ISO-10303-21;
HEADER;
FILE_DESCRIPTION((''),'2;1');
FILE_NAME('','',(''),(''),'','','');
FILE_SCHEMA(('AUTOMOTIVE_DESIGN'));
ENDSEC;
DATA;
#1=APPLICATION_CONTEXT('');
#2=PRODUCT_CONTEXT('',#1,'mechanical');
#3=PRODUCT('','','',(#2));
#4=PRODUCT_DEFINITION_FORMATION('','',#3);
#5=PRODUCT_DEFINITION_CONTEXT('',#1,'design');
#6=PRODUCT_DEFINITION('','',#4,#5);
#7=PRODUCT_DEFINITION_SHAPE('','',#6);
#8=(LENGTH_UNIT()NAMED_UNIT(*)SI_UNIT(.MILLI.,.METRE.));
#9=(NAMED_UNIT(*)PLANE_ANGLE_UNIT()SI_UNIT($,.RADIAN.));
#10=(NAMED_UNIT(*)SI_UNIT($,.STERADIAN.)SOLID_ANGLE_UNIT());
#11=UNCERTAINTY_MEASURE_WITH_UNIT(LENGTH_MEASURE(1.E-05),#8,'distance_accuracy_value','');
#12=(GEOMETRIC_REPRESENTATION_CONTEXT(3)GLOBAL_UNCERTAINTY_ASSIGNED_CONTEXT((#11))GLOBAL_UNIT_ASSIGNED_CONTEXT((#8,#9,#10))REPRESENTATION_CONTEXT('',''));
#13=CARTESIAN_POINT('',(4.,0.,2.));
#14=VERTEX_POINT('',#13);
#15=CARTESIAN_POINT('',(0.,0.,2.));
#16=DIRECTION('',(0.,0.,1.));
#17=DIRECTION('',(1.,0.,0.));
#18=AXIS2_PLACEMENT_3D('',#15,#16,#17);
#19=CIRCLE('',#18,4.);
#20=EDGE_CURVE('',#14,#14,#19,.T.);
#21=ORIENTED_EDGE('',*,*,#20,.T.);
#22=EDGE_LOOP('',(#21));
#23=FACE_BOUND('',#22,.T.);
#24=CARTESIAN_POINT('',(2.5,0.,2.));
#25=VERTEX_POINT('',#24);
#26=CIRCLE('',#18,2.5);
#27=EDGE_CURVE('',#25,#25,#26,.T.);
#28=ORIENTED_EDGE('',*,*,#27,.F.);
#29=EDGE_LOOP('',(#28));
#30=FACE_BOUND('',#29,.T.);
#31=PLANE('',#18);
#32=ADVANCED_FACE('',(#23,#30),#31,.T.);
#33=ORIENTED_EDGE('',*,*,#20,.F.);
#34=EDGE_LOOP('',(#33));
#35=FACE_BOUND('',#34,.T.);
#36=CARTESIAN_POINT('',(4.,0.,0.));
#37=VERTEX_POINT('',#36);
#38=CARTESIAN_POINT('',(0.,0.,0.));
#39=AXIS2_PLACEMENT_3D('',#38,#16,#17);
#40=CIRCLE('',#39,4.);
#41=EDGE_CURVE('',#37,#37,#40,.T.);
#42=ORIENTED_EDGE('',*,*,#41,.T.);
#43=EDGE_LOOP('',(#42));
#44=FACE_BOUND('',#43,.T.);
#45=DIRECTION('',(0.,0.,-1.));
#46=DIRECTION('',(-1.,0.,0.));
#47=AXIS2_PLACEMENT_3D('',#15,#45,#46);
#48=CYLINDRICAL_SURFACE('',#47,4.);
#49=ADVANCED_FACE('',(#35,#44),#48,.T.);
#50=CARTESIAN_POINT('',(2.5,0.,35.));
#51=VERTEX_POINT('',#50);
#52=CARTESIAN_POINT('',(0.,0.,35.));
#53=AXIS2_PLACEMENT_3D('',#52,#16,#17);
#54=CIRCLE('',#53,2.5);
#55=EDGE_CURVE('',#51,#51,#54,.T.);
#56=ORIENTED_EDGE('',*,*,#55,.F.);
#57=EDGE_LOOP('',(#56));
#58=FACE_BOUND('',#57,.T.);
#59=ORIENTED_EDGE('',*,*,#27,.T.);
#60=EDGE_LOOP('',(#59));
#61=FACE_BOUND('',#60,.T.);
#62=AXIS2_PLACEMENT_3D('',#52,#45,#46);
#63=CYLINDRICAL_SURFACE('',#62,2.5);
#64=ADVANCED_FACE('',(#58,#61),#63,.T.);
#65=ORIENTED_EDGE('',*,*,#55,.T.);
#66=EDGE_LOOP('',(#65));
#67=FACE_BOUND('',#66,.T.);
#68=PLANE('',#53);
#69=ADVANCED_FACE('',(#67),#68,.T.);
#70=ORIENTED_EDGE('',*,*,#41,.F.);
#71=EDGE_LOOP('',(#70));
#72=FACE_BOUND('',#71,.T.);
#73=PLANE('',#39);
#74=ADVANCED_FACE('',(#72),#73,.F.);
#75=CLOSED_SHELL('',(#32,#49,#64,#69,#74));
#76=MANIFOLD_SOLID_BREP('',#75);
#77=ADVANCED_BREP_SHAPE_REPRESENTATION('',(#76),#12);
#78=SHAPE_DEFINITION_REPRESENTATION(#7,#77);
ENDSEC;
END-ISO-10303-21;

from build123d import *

# Parameters (mm, degrees)
ESQUISSE1_R        = 4
ESQUISSE1_R_2      = 2.5
BOSS_EXTRU_1_DEPTH = 2
ESQUISSE1_2_R      = 2.5
BOSS_EXTRU_2_DEPTH = 35


with BuildPart() as part:
    # Esquisse1 → Boss.-Extru.1 (new body)
    with BuildSketch(Plane.XY):
        Circle(ESQUISSE1_R)
        Circle(ESQUISSE1_R_2, mode=Mode.SUBTRACT)
    extrude(amount=BOSS_EXTRU_1_DEPTH)

    # Esquisse1<2> → Boss.-Extru.2 (add)
    with BuildSketch(Plane.XY):
        Circle(ESQUISSE1_2_R)
    extrude(amount=BOSS_EXTRU_2_DEPTH)


solid = part.part
